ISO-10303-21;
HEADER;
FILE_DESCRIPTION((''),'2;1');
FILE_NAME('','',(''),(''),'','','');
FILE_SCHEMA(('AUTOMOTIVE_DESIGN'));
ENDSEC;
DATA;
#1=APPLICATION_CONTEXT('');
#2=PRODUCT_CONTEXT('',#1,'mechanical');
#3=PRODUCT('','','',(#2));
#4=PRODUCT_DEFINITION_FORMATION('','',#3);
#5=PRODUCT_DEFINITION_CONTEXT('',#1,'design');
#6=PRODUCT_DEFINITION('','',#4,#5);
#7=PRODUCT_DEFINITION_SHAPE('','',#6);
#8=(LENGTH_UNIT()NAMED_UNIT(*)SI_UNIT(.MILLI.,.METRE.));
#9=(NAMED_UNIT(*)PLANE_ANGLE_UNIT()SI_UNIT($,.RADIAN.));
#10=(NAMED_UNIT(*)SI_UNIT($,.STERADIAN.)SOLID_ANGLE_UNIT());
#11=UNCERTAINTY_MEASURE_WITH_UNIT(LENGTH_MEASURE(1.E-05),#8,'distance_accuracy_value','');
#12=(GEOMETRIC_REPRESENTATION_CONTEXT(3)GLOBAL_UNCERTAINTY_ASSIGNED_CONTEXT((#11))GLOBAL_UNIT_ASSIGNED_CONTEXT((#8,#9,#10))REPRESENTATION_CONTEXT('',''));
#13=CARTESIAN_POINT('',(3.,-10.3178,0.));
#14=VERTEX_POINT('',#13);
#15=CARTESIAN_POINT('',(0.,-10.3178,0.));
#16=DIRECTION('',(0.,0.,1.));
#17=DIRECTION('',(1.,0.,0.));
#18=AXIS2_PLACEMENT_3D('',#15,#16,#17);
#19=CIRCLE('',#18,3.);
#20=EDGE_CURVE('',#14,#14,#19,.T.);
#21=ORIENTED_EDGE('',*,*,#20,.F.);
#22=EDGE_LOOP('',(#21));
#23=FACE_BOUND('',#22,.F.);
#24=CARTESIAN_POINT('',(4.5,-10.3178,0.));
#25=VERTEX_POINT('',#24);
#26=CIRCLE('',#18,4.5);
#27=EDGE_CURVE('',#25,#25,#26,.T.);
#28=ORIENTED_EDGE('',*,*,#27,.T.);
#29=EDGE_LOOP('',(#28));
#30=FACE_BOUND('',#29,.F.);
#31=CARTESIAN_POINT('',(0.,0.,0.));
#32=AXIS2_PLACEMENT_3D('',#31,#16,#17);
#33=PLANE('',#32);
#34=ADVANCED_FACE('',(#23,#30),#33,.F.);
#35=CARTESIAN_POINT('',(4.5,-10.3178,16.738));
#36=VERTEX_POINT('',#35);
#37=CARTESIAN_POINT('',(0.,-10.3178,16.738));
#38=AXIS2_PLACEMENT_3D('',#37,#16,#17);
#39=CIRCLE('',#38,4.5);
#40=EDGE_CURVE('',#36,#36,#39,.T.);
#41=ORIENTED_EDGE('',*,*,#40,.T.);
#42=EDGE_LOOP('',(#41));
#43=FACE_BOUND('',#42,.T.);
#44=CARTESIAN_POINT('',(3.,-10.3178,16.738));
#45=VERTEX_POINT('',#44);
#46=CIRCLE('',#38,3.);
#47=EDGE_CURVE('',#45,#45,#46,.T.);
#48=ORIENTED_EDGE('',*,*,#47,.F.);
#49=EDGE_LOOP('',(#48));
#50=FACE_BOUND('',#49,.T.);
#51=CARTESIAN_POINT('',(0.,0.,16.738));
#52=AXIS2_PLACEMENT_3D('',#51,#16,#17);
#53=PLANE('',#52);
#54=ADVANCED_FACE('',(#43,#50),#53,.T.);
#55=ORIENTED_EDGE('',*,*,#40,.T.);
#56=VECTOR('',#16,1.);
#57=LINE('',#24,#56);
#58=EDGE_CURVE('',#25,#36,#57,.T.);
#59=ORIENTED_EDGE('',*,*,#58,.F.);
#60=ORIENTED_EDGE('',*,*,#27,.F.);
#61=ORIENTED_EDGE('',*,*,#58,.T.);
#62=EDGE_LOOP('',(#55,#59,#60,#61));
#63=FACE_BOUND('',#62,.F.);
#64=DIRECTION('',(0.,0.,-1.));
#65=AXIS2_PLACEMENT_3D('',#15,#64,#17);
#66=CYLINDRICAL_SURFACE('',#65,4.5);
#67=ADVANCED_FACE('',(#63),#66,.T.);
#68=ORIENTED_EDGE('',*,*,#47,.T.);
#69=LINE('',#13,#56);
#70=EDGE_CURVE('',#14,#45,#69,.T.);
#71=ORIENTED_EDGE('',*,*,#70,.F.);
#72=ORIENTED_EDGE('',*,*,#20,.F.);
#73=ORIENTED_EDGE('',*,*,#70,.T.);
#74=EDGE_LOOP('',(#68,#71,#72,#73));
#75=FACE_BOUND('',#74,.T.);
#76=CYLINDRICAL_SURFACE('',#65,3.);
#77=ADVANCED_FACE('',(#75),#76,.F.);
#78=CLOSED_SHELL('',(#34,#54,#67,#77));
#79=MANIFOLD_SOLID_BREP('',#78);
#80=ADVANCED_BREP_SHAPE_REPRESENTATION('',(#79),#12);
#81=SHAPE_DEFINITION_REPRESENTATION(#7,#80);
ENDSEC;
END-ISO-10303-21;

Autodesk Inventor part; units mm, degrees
ref_plane "YZ Plane" through (0, 0, 0) normal (1, 0, 0) x (0, 1, 0)
ref_plane "XZ Plane" through (0, 0, 0) normal (0, 1, 0) x (-1, 0, 0)
ref_plane "XY Plane" through (0, 0, 0) normal (0, 0, 1) x (1, 0, 0)
sketch "Sketch1" plane through (0, 0, 0) normal (0, 0, 1) x (1, 0, 0)
  circle A0 centre (0, -10.3178) radius 3 projected
  circle A1 centre (0, -10.3178) radius 3 projected
  circle A2 centre (0, -10.3178) radius 3
  circle A3 centre (0, -10.3178) radius 4.5
  point P0 (0, 0)
  dimension "d0" = 6
  dimension "d1" = 9
extrude "Extrusion1" add sketch "Sketch1" along normal blind 16.738
properties part number "spacer3"
